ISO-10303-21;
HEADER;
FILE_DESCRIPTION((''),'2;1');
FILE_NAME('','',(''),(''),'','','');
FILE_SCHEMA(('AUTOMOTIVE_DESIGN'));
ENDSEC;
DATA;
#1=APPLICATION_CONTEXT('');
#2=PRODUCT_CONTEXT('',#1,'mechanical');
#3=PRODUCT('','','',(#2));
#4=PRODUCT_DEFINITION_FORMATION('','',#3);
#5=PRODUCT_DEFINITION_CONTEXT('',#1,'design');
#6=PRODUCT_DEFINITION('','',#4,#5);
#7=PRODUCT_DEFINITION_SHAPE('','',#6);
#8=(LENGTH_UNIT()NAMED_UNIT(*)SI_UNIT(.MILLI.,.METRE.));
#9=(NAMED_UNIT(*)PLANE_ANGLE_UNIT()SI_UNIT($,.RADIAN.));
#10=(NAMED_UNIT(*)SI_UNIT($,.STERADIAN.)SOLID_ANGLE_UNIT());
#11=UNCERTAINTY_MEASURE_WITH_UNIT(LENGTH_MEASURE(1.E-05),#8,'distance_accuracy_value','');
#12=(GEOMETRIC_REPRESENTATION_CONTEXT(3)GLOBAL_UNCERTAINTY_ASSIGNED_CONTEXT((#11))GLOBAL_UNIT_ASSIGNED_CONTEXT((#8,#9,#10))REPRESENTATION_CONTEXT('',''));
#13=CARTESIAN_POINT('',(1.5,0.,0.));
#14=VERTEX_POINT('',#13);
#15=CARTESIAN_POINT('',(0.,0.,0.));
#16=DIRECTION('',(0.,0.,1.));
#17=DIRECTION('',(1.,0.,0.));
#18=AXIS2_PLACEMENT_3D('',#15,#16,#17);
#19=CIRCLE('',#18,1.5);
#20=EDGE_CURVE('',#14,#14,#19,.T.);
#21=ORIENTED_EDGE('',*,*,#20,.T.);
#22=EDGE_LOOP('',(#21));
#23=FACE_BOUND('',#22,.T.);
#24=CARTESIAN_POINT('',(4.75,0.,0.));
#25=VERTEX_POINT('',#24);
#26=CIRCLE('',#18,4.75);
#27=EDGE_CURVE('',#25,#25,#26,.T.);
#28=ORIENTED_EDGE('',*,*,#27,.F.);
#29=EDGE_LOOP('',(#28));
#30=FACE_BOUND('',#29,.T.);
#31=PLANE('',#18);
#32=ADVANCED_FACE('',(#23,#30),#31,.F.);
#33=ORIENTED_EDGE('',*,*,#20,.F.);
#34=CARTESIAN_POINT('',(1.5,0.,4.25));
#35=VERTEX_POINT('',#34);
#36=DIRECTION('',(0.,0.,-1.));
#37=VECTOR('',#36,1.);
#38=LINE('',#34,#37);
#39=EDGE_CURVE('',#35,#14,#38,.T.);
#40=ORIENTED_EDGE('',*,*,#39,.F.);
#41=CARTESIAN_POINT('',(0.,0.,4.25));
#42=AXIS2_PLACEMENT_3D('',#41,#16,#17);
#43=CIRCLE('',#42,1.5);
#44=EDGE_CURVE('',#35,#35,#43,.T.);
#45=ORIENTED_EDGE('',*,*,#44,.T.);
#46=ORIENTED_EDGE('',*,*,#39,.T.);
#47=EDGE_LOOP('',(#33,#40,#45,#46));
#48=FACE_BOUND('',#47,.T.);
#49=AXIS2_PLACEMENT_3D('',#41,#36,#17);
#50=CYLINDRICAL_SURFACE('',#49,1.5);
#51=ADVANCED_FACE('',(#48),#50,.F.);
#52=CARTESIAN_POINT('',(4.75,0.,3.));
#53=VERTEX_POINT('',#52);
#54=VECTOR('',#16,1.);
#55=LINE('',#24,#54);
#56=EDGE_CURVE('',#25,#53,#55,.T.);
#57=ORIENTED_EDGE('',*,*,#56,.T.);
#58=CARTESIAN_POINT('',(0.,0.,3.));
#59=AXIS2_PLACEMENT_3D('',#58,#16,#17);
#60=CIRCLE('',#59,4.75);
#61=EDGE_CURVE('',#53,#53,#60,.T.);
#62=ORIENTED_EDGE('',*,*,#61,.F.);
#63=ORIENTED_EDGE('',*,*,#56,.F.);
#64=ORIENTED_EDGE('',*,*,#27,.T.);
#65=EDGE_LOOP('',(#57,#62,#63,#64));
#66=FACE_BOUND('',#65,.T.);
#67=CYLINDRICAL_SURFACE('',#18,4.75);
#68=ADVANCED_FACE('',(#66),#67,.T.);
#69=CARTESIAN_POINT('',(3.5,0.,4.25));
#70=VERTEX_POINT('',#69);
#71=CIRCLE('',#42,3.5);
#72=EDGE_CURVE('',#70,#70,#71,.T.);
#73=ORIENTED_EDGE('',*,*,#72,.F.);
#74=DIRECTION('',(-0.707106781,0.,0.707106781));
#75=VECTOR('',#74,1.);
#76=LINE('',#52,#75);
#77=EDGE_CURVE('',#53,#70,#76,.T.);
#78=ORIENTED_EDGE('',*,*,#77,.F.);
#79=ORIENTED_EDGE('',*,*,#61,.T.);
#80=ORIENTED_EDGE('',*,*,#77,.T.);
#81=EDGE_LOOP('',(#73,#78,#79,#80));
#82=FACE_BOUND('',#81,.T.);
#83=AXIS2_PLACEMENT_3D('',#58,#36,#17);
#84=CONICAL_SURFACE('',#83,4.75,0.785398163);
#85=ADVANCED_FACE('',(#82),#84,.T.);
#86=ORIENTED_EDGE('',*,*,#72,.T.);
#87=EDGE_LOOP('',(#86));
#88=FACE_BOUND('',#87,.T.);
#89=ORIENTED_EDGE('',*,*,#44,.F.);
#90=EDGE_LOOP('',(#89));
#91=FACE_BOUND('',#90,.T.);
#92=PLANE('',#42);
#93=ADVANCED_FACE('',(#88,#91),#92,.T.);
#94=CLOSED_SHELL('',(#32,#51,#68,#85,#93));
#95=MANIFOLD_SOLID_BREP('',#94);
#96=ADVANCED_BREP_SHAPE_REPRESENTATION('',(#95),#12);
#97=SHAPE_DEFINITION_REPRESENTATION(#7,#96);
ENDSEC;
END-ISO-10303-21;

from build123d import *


with BuildPart() as part:
    # Sketch → Revolution (revolve)
    with BuildSketch(Plane.XZ):
        Polygon((1.5, 0), (4.75, 0), (4.75, 3), (3.5, 4.25), (1.5, 4.25), align=None)
    revolve(axis=Axis((0, 0, 0), (0, 0, 1)))


solid = part.part
